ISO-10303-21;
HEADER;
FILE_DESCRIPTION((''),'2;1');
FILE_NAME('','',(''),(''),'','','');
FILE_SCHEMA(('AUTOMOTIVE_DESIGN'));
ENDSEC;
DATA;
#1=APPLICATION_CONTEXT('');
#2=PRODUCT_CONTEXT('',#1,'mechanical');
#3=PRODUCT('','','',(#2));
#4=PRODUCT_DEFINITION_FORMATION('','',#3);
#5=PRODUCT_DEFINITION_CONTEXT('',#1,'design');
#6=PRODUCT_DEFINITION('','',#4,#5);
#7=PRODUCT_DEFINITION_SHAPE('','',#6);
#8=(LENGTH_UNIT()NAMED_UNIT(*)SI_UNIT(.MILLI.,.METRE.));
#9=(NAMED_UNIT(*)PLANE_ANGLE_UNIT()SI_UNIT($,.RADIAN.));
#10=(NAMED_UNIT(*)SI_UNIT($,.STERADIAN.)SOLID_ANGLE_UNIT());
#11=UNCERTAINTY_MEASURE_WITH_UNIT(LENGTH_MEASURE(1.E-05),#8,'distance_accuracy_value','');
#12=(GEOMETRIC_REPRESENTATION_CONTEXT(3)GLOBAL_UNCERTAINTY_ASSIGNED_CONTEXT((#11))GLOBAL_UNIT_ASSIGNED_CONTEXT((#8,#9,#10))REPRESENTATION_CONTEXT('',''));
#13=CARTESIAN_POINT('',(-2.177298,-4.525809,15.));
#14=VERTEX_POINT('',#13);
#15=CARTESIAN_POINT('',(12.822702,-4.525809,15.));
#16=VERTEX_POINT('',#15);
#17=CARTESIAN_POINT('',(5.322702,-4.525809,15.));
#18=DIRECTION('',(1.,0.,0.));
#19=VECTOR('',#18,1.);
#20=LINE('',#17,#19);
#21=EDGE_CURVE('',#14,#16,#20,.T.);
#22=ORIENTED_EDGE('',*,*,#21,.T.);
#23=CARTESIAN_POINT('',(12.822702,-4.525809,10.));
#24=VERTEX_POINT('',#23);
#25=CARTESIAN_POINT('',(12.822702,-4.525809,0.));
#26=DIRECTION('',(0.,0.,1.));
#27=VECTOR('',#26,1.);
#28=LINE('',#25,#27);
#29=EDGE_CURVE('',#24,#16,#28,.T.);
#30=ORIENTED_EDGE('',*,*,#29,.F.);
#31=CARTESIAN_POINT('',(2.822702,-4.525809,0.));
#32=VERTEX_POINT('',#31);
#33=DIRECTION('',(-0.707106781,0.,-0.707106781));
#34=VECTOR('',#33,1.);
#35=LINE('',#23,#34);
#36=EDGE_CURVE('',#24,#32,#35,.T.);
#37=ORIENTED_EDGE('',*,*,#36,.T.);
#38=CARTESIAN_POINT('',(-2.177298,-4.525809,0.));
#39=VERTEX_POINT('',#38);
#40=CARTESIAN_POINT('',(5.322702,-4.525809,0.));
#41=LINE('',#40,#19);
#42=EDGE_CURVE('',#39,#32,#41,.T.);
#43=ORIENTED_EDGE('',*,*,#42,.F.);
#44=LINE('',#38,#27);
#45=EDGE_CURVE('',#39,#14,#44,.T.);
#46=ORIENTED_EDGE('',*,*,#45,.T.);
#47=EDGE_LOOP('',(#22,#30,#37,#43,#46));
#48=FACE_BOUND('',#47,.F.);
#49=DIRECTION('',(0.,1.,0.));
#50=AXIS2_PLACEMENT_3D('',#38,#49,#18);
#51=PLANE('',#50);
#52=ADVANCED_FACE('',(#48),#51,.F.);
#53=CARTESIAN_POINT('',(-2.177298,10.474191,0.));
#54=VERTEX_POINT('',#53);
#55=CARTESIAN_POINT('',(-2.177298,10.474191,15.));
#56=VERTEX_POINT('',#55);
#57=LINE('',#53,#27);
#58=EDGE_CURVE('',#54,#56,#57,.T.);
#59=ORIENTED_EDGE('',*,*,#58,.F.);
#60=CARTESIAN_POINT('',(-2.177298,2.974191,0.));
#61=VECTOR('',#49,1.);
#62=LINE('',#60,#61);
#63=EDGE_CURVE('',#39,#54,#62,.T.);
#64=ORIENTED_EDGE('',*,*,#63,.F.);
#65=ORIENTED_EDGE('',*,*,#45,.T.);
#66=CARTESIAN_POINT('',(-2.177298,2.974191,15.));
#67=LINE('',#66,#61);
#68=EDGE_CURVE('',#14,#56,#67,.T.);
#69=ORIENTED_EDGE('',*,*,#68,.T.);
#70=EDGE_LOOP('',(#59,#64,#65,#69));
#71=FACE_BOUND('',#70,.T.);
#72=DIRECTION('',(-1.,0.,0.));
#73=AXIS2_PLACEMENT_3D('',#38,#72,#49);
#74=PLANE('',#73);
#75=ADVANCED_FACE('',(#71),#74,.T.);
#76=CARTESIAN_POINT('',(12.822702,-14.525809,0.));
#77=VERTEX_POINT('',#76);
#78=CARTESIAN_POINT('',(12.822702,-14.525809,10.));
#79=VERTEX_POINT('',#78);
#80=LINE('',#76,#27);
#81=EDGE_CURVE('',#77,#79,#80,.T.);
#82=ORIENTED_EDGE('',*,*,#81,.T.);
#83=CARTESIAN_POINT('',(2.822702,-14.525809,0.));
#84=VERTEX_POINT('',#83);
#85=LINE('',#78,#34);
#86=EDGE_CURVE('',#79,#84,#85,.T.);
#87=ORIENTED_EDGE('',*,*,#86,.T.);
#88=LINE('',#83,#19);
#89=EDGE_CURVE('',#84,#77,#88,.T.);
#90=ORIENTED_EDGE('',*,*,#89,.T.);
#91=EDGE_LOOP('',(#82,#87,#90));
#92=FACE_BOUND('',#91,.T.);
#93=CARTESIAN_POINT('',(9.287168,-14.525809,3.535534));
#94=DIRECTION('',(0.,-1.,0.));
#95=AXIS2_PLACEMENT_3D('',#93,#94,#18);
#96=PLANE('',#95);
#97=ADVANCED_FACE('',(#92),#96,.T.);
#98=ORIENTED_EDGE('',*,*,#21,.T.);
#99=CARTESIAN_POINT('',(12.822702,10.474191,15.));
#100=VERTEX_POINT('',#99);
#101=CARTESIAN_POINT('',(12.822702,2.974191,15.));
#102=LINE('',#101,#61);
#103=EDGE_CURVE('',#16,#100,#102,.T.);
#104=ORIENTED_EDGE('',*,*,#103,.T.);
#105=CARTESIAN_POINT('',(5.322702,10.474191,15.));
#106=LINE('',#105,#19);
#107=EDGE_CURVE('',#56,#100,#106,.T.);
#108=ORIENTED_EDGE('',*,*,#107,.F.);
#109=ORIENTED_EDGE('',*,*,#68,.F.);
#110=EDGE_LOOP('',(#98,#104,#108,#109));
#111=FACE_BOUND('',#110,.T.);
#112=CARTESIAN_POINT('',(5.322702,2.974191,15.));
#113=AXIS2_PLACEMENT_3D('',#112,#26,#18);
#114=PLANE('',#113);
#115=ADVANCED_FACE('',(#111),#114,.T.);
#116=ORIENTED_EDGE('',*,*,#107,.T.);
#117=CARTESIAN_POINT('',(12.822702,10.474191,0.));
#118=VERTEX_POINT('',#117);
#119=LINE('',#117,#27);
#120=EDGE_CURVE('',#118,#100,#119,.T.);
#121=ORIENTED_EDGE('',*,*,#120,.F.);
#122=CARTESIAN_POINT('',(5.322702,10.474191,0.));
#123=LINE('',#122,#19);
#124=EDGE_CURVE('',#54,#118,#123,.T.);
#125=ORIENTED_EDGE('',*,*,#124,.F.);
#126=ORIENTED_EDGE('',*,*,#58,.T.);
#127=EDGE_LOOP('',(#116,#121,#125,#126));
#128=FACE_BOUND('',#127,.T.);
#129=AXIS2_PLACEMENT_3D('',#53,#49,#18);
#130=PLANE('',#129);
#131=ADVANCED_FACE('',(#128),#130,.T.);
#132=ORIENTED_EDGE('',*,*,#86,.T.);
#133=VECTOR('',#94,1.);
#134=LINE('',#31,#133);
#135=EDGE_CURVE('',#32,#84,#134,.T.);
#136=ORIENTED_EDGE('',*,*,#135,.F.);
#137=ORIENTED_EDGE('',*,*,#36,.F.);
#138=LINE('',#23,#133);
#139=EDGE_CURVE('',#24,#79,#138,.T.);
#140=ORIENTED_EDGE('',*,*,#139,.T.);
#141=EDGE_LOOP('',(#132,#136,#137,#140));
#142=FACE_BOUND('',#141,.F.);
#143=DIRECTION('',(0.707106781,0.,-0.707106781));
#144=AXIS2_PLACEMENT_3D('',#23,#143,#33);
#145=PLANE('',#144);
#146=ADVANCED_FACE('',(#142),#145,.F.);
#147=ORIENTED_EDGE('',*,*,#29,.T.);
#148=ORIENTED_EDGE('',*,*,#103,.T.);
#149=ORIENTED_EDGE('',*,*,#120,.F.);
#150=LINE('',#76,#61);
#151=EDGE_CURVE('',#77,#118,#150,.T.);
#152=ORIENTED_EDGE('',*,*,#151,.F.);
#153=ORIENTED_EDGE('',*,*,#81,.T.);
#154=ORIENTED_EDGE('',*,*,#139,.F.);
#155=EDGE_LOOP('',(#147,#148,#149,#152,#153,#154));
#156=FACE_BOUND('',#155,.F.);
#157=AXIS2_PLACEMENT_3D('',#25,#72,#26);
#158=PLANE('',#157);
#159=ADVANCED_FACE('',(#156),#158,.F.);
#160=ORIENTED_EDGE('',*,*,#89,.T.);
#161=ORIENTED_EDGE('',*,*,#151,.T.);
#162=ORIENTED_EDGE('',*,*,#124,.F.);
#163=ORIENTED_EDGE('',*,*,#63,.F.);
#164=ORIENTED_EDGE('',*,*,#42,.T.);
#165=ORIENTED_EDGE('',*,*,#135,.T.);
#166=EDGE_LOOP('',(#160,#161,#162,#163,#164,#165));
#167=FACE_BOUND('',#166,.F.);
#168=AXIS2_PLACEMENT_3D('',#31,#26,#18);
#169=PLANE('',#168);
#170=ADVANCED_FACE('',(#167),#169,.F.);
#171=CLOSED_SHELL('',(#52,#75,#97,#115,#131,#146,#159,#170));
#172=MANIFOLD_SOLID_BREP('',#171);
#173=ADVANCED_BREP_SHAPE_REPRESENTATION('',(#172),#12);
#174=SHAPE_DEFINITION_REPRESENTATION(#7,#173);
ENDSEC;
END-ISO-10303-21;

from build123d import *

# Parameters (mm, degrees)
F0_W     = 15
F0_H     = 15
F1_DEPTH = 15
F3_DEPTH = 10


with BuildPart() as f1:
    # F0 (on Top) → F1 (new body)
    with BuildSketch(Plane.XY):
        with Locations((5.322702, 2.974191)):
            Rectangle(F0_W, F0_H)
    extrude(amount=F1_DEPTH)

    # F2 (on face) → F3 (join)
    with BuildSketch(Plane.XZ.offset(4.525809)):
        Polygon((12.822702, 0), (12.822702, 10), (2.822702, 0), align=None)
    extrude(amount=F3_DEPTH)


solid = f1.part
